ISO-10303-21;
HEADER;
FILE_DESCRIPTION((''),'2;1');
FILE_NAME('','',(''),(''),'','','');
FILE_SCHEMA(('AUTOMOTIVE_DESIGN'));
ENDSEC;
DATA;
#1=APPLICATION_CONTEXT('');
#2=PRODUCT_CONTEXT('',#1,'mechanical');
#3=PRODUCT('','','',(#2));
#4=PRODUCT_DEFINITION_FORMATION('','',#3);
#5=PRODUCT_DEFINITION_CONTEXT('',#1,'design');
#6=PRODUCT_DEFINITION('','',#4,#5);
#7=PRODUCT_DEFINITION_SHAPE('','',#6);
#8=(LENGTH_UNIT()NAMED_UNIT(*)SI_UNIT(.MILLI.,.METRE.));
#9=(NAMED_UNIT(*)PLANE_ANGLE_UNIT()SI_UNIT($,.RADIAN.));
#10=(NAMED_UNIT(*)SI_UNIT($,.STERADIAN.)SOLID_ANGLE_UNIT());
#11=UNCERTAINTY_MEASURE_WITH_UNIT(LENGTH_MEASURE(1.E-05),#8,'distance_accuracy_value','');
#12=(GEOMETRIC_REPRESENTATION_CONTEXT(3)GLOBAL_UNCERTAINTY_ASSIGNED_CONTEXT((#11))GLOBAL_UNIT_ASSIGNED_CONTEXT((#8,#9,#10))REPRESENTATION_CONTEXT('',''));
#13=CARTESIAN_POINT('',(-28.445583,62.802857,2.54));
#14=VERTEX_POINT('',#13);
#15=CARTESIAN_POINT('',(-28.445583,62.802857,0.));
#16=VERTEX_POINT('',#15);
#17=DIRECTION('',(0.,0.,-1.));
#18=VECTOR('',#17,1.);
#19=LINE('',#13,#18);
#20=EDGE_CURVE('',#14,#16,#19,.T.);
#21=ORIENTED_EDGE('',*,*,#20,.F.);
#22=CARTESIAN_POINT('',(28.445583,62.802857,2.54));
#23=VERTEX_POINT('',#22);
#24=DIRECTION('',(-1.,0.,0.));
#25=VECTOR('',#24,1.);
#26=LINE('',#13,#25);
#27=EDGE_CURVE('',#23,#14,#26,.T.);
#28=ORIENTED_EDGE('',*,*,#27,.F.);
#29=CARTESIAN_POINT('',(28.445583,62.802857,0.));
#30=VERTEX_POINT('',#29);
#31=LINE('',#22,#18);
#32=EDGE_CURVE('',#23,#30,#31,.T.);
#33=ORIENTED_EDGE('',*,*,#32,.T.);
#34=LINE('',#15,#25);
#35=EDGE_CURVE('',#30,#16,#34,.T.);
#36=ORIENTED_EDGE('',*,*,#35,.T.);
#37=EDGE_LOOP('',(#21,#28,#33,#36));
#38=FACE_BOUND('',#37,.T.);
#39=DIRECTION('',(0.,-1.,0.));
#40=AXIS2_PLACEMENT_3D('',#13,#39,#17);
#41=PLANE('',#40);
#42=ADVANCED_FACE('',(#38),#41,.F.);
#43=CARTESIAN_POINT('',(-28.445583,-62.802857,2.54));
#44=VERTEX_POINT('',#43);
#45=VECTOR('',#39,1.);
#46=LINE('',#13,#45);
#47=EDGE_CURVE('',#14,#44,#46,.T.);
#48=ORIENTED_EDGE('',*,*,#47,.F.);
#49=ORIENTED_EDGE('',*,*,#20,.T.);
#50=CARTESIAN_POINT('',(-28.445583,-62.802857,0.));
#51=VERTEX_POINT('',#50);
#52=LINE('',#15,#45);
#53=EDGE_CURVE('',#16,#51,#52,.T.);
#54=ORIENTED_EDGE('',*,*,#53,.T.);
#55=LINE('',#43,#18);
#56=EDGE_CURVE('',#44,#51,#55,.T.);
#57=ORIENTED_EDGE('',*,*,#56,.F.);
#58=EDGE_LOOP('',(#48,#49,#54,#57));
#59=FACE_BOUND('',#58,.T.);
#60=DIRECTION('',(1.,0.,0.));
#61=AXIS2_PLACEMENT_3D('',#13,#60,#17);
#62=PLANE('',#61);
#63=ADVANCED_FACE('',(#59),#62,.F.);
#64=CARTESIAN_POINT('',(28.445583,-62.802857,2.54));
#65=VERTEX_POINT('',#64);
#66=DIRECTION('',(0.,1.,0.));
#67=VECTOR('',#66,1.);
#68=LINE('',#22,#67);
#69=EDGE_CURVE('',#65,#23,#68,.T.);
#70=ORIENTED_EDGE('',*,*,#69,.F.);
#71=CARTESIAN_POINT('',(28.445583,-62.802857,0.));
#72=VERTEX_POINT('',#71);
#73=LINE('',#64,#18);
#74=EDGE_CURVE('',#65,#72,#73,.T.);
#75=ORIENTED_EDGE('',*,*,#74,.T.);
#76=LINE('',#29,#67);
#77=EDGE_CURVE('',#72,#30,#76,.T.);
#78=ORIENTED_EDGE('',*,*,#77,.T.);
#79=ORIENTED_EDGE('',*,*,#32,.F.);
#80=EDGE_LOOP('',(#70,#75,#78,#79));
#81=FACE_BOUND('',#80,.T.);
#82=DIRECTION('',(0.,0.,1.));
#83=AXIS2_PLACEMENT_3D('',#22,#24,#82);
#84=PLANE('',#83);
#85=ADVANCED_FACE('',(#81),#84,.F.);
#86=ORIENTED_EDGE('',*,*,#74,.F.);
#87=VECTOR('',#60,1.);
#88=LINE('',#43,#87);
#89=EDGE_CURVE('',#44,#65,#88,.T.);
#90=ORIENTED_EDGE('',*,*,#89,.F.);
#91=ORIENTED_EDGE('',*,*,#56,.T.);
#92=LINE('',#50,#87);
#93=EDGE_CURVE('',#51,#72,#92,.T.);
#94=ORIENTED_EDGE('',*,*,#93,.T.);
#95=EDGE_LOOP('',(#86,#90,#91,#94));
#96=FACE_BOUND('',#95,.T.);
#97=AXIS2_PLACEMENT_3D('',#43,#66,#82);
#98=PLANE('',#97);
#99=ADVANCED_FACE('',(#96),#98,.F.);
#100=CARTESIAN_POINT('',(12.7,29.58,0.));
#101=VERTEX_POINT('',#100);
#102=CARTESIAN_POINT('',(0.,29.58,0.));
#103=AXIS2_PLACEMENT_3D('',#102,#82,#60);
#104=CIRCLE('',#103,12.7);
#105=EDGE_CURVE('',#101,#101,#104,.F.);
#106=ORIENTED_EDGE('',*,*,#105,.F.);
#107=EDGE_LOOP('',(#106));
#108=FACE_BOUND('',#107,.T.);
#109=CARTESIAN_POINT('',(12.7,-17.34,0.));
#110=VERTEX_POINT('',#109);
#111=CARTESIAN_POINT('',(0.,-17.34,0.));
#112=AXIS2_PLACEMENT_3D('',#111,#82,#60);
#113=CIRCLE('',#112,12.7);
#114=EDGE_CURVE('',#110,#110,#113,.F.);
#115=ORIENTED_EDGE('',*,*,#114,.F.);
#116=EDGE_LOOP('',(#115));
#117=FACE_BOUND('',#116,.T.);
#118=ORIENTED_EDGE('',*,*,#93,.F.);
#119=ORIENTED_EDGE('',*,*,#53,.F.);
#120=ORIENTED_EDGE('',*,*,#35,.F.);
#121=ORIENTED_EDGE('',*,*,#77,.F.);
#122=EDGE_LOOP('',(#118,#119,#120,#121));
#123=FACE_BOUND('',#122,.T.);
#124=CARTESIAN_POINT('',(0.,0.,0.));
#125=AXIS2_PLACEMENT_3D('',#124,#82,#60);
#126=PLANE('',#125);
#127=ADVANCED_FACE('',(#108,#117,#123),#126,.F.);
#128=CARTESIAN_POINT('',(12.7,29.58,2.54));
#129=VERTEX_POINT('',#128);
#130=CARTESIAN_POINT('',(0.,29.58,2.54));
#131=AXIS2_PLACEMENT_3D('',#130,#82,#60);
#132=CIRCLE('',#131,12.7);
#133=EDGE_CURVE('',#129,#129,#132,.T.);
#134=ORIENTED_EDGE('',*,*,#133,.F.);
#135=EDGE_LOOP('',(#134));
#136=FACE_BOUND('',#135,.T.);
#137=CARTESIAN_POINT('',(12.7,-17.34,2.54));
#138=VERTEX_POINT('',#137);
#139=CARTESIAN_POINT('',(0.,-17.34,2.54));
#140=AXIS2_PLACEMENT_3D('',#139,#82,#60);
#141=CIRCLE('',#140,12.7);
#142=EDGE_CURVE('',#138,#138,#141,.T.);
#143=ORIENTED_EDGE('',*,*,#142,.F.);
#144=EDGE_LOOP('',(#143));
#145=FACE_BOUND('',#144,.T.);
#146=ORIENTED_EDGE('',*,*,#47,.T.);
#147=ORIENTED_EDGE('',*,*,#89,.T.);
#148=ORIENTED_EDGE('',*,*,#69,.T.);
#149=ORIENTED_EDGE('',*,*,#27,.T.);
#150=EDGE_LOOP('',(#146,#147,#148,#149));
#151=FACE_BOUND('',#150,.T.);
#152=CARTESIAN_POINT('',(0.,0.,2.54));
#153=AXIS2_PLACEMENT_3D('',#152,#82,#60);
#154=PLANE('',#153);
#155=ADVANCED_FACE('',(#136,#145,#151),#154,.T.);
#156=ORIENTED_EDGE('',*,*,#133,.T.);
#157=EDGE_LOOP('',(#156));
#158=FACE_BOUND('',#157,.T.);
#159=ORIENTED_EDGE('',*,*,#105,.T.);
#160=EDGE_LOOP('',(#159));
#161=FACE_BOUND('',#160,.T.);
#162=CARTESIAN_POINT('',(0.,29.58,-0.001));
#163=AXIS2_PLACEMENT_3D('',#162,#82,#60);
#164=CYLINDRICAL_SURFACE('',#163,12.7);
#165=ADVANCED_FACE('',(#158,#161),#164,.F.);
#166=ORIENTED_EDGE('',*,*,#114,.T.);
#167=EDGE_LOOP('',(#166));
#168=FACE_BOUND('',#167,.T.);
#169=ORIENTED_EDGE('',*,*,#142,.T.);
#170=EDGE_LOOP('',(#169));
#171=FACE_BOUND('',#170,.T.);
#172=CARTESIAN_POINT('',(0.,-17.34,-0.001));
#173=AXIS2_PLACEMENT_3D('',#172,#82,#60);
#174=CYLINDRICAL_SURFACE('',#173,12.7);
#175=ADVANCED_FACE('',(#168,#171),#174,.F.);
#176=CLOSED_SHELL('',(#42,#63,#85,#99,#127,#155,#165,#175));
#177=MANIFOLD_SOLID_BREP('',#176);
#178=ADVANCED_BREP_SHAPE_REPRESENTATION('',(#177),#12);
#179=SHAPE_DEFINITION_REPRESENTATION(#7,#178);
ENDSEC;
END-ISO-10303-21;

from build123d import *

# Parameters (mm, degrees)
SKETCH1_W           = 56.891165124
SKETCH1_H           = 125.605714286
BOSS_EXTRUDE1_DEPTH = 2.54
CUT_EXTRUDE1_REACH  = 4.54
SKETCH2_R           = 12.7


with BuildPart() as part:
    # Sketch1 → Boss-Extrude1 (new body)
    with BuildSketch(Plane.XY):
        Rectangle(SKETCH1_W, SKETCH1_H)
    extrude(amount=BOSS_EXTRUDE1_DEPTH)

    # Sketch2 → Cut-Extrude1 (cut, up to next)
    with BuildSketch(Plane.XY.offset(2.54), mode=Mode.PRIVATE) as cut_extrude1_sk1:
        with Locations((0, 29.58)):
            Circle(SKETCH2_R)
    cut_extrude1_tool1 = extrude(cut_extrude1_sk1.sketch, amount=-CUT_EXTRUDE1_REACH, mode=Mode.PRIVATE) & part.part
    add(cut_extrude1_tool1.solids().sort_by_distance((0, 29.58, 2.54))[0], mode=Mode.SUBTRACT)
    # Sketch2 → Cut-Extrude1 (cut, up to next)
    with BuildSketch(Plane.XY.offset(2.54), mode=Mode.PRIVATE) as cut_extrude1_sk2:
        with Locations((0, -17.34)):
            Circle(SKETCH2_R)
    cut_extrude1_tool2 = extrude(cut_extrude1_sk2.sketch, amount=-CUT_EXTRUDE1_REACH, mode=Mode.PRIVATE) & part.part
    add(cut_extrude1_tool2.solids().sort_by_distance((0, -17.34, 2.54))[0], mode=Mode.SUBTRACT)


solid = part.part
